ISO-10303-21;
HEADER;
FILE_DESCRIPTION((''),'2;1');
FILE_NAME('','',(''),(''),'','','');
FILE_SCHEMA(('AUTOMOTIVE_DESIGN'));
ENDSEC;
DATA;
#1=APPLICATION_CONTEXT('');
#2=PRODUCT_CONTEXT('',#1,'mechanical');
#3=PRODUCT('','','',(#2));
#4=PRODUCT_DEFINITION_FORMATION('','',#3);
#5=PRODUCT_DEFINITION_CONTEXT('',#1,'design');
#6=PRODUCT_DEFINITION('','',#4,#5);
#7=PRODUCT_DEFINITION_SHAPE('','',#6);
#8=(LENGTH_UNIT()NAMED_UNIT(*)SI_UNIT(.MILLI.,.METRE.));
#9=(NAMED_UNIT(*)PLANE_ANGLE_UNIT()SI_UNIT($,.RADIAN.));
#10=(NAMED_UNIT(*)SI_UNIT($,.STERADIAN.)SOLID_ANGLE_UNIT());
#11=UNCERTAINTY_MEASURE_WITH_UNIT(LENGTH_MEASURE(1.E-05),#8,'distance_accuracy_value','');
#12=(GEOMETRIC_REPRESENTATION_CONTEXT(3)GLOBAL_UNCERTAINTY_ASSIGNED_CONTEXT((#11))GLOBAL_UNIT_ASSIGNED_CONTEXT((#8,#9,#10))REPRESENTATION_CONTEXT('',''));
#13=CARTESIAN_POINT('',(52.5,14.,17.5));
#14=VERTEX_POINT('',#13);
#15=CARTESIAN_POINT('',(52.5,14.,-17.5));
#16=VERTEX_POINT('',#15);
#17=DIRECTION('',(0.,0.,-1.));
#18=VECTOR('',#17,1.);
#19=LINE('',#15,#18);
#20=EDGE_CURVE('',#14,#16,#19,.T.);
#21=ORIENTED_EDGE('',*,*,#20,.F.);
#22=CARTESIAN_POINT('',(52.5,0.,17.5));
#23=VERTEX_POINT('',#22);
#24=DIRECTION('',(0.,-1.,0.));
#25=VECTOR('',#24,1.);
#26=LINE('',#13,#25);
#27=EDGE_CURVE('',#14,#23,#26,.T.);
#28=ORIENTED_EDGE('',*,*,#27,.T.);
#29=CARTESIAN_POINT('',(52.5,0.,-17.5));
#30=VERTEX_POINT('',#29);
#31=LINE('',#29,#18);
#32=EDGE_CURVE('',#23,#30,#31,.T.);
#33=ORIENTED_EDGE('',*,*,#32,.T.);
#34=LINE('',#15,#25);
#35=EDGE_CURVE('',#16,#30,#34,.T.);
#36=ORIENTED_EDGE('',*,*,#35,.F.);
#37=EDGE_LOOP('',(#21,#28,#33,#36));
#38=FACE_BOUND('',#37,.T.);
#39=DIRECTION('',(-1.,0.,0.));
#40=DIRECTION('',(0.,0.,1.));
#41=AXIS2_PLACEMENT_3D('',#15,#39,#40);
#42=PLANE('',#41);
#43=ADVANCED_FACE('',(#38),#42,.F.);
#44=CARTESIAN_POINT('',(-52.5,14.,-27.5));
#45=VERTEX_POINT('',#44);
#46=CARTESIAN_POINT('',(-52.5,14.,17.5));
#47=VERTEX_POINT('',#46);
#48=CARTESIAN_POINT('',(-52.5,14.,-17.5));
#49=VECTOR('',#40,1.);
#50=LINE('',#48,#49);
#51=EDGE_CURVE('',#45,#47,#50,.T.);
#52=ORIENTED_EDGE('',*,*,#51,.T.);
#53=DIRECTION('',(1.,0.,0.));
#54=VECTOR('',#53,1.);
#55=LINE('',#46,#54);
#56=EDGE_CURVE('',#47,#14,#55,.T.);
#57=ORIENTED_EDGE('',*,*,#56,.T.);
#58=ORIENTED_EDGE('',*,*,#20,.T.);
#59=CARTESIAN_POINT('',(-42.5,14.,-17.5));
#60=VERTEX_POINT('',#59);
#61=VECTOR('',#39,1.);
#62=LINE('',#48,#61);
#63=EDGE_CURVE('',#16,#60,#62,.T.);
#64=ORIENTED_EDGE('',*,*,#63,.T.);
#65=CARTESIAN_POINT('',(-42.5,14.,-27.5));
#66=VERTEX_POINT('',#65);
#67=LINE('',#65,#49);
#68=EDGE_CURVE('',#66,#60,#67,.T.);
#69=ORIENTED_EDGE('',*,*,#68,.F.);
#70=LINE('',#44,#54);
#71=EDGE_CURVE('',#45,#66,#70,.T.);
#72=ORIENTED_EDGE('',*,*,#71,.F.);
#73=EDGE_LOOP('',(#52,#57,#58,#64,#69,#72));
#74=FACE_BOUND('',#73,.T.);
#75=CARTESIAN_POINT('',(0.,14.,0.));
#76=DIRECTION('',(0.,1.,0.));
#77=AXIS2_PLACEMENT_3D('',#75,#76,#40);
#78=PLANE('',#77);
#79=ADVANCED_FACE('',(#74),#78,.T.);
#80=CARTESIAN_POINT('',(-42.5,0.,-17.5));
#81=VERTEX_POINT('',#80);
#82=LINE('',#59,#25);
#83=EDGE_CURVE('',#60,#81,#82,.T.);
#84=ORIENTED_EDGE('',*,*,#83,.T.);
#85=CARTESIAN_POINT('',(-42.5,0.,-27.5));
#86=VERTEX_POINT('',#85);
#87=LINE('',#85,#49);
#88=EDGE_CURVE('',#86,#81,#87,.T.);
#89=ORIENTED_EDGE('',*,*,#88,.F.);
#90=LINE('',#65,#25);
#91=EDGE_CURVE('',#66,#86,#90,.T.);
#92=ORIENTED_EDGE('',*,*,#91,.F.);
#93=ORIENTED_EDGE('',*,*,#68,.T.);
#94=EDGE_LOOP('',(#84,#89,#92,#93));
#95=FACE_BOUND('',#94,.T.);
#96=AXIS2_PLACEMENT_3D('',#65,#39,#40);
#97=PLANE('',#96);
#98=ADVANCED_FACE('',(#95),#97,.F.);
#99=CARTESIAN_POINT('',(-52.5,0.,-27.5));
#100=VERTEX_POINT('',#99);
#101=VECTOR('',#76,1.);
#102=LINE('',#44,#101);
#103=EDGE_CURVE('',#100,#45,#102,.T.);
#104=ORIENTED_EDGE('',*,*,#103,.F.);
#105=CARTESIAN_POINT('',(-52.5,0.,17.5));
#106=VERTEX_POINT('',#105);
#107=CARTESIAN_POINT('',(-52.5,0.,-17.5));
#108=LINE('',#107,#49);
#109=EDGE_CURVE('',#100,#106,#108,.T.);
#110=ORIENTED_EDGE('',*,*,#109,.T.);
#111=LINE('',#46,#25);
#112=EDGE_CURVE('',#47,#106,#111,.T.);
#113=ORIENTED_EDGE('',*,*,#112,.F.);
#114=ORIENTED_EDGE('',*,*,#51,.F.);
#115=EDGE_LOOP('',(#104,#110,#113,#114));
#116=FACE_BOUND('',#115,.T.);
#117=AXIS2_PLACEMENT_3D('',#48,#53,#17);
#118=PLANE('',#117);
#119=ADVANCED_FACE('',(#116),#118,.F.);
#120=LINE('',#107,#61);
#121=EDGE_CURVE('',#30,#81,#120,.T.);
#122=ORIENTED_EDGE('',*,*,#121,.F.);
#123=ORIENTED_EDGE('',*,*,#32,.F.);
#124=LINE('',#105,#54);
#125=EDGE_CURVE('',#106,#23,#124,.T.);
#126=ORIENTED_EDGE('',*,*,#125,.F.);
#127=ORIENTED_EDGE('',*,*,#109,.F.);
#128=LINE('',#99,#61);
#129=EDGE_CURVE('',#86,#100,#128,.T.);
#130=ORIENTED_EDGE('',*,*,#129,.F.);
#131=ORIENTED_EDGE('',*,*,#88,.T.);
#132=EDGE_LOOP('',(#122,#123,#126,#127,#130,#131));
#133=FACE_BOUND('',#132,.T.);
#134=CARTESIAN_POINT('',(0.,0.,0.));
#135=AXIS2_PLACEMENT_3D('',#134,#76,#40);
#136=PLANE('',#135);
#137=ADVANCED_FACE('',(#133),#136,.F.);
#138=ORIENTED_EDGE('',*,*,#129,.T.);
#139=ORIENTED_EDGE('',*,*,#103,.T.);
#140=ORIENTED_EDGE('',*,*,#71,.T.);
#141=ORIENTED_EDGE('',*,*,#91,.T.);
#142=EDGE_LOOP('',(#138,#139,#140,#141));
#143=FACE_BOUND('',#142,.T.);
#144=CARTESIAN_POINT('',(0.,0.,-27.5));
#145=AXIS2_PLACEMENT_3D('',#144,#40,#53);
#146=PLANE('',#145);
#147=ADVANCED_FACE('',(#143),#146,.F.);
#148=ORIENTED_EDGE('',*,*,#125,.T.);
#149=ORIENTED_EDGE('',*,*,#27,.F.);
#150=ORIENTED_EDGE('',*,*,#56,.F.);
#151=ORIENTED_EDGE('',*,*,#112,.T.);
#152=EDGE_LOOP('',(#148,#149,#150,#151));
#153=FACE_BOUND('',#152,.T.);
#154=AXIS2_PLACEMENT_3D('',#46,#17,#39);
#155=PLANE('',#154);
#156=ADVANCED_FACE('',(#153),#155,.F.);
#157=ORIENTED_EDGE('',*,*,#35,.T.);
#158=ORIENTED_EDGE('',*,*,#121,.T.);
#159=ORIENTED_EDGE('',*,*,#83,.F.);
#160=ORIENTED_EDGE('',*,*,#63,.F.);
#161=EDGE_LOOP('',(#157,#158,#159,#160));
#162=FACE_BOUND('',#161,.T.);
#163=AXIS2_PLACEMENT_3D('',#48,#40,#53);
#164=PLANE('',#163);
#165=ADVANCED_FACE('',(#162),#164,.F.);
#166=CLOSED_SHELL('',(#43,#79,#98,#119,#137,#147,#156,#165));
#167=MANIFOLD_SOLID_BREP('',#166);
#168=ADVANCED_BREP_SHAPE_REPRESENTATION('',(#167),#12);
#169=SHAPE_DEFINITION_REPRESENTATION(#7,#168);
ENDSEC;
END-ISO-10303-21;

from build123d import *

# Parameters (mm, degrees)
SKETCH1_W           = 105
SKETCH1_H           = 35
BOSS_EXTRUDE1_DEPTH = 14
SKETCH2_W           = 10
SKETCH2_H           = 14
BOSS_EXTRUDE2_DEPTH = 10


with BuildPart() as part:
    # Sketch1 → Boss-Extrude1 (new body)
    with BuildSketch(Plane(origin=(0, 0, 0), x_dir=(1, 0, 0), z_dir=(0, 1, 0))):
        Rectangle(SKETCH1_W, SKETCH1_H)
    extrude(amount=BOSS_EXTRUDE1_DEPTH)

    # Sketch2 → Boss-Extrude2 (add)
    with BuildSketch(Plane(origin=(0, 0, -17.5), x_dir=(-1, 0, 0), z_dir=(0, 0, -1))):
        with Locations((47.5, 7)):
            Rectangle(SKETCH2_W, SKETCH2_H)
    extrude(amount=BOSS_EXTRUDE2_DEPTH)


solid = part.part
